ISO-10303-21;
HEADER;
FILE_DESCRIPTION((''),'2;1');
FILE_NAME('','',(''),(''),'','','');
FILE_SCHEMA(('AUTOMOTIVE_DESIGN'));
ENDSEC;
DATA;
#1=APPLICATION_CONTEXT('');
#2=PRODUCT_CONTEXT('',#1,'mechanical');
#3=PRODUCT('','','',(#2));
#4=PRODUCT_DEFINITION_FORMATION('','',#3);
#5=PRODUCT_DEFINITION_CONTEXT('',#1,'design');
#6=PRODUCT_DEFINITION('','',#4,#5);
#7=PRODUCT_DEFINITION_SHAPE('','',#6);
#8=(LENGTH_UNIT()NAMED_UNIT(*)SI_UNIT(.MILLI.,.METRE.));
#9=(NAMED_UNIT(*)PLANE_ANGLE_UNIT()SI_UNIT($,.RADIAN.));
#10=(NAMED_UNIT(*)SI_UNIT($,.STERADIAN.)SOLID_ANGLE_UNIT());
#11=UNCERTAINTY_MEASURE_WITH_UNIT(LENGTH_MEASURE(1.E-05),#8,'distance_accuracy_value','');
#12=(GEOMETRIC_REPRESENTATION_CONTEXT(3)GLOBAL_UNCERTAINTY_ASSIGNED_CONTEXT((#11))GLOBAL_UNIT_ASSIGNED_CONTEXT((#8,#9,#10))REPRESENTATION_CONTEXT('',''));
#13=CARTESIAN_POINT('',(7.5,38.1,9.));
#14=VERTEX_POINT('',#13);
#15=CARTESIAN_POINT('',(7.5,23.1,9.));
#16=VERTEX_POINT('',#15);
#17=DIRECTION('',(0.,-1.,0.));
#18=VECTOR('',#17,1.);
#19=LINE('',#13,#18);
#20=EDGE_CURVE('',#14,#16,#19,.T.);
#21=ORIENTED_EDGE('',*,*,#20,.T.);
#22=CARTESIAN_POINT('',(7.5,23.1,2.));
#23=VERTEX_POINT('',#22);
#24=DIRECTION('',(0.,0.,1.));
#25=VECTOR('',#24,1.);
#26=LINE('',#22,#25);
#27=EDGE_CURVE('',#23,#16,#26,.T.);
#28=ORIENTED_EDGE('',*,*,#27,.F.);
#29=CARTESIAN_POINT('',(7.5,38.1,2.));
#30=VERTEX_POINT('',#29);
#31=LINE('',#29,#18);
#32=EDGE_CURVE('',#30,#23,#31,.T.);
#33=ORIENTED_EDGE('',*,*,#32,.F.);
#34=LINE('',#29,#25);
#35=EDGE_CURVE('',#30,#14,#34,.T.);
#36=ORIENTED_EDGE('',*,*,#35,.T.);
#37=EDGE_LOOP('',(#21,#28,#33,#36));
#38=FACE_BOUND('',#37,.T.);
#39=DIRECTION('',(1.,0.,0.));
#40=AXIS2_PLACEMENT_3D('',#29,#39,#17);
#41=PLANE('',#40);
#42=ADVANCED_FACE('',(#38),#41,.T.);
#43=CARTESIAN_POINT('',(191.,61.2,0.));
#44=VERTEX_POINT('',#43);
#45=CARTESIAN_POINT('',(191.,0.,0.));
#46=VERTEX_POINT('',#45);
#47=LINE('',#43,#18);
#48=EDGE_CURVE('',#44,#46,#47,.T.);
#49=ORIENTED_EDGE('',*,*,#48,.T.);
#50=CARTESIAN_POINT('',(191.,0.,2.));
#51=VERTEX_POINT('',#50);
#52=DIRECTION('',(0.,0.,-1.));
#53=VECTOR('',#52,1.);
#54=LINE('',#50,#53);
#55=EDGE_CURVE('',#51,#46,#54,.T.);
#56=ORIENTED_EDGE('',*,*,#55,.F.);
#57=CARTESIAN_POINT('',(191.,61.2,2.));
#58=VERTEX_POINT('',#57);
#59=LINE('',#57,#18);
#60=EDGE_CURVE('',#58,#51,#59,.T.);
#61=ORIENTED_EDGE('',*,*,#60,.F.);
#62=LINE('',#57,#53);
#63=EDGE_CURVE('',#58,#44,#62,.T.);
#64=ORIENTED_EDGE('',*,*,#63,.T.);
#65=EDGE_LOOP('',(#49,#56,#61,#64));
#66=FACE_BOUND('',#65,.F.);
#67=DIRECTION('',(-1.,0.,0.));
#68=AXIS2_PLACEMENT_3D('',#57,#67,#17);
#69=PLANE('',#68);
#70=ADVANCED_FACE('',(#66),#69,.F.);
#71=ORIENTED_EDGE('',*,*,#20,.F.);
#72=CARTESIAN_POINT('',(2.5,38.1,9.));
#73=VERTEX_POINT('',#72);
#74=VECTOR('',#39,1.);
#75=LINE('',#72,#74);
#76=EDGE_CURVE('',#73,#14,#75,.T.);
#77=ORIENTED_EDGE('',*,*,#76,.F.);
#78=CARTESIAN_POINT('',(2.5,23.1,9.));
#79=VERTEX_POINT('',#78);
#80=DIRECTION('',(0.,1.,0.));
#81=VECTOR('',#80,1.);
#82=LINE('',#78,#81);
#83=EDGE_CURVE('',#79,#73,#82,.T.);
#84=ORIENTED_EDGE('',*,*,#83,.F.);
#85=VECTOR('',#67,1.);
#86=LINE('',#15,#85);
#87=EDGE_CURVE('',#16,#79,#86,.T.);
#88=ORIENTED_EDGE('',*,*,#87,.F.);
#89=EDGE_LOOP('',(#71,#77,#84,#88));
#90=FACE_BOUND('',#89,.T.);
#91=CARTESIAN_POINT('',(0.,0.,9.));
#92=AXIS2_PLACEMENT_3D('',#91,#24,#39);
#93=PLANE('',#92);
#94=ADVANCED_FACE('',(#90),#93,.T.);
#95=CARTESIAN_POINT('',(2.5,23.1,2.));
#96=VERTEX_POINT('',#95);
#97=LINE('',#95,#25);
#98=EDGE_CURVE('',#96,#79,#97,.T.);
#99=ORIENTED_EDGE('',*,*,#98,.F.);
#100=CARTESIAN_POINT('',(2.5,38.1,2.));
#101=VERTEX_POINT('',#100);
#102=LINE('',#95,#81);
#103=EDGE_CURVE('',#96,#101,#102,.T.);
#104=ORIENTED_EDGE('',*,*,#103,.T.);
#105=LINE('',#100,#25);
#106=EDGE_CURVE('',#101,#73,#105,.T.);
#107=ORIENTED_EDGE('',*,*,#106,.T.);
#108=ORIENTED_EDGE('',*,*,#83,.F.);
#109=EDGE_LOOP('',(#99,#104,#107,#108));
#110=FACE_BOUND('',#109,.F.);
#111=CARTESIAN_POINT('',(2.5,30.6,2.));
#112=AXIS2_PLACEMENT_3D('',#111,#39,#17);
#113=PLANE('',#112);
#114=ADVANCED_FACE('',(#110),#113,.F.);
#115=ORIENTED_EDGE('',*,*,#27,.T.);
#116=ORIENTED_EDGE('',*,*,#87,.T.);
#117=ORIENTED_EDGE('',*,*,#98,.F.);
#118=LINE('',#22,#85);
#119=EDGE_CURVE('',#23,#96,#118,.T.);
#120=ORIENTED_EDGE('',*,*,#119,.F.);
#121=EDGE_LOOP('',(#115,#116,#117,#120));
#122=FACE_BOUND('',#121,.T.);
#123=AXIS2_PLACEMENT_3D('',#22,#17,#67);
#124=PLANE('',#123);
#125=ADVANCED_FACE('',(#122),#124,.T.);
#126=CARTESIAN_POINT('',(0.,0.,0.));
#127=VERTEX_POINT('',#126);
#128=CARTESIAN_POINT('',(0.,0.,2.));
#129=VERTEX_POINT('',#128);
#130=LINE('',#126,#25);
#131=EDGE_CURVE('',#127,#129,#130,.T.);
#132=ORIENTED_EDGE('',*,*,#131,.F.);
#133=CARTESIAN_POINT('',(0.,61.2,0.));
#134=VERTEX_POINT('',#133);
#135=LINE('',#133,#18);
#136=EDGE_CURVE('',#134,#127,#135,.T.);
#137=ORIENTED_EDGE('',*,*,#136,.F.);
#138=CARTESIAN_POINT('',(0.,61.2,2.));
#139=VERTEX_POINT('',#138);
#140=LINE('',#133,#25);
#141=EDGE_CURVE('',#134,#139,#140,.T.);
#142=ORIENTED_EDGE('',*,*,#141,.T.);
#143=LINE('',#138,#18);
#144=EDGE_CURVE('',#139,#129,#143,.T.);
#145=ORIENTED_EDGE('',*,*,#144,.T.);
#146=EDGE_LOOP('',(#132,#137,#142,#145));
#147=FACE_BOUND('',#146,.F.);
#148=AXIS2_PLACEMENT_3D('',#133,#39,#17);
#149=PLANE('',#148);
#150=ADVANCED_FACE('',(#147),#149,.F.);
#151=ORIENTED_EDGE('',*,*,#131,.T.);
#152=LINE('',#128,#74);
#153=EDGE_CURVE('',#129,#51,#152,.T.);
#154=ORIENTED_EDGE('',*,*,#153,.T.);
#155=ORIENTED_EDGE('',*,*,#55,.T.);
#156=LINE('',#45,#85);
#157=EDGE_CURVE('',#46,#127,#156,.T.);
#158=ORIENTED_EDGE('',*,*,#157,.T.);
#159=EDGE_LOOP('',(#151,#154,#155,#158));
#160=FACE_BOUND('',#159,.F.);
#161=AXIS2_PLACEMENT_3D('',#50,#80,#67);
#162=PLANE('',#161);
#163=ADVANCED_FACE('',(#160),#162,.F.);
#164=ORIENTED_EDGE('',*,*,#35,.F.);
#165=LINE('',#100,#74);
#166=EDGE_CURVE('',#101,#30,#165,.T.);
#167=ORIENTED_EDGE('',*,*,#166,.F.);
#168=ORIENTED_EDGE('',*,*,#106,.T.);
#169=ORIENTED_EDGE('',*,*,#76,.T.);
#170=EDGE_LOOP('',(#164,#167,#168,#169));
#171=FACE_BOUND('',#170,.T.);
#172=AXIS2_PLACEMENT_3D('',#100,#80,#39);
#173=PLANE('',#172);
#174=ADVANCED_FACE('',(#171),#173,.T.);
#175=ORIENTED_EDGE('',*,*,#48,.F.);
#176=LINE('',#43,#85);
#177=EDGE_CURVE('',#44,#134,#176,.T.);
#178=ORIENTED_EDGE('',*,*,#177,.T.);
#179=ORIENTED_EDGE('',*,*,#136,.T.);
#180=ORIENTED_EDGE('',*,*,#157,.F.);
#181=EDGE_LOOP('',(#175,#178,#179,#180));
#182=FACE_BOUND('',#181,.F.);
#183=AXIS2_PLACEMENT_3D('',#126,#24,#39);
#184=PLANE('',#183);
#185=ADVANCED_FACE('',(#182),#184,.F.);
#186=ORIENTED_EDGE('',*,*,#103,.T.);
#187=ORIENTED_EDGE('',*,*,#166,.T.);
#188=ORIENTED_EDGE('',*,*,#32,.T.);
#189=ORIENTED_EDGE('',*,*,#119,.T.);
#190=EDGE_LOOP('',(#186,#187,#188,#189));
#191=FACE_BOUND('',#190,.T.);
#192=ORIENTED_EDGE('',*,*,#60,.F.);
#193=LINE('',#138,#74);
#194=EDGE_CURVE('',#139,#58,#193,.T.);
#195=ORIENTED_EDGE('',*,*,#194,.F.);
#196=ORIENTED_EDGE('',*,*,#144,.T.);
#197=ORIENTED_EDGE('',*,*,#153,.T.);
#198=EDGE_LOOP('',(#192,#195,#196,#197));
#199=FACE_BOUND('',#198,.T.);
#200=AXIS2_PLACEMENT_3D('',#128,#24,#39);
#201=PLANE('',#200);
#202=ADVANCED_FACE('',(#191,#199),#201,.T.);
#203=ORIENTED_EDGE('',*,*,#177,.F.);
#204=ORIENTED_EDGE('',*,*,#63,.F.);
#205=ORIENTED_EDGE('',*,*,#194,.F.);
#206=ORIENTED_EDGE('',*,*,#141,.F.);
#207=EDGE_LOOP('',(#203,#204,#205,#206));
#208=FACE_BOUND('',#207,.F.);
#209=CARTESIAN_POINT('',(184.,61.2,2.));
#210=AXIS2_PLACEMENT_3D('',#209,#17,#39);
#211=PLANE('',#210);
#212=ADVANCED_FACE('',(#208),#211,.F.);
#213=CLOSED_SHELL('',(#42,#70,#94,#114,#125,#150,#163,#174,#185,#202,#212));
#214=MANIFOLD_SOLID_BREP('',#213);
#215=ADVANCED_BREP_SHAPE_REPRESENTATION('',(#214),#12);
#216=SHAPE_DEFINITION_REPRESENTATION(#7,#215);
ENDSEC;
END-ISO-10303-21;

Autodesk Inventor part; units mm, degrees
ref_plane "YZ Plane" through (0, 0, 0) normal (1, 0, 0) x (0, 1, 0)
ref_plane "XZ Plane" through (0, 0, 0) normal (0, 1, 0) x (-1, 0, 0)
ref_plane "XY Plane" through (0, 0, 0) normal (0, 0, 1) x (1, 0, 0)
sketch "Sketch1" plane through (0, 0, 0) normal (0, 1, 0) x (-1, 0, 0)
  point P0 (0, 0)
sketch "Sketch6" plane through (0, 0, 0) normal (0, 0, 1) x (1, 0, 0)
  line L0 (0, 0) -> (184, 0)
  line L1 (184, 0) -> (184, 61.2)
  line L2 (184, 61.2) -> (0, 61.2)
  line L3 (0, 61.2) -> (0, 0)
  line L4 (0, 0) -> (184, 0)
  line L5 (184, 0) -> (184, 61.2)
  dimension "d18" = 184
  dimension "d19" = 61.2
extrude "Extrusion5" add sketch "Sketch6" along normal blind 2
sketch "Sketch7" plane through (0, 0, 2) normal (0, 0, 1) x (1, 0, 0)
  line L0 (184, 61.2) -> (0, 61.2) projected
  line L1 (0, 61.2) -> (0, 30.6)
  line L2 (0, 30.6) -> (2.5, 30.6)
  line L3 (2.5, 30.6) -> (2.5, 38.1)
  line L4 (2.5, 30.6) -> (2.5, 23.1)
  line L5 (2.5, 38.1) -> (7.5, 38.1)
  line L6 (7.5, 38.1) -> (7.5, 23.1)
  line L7 (7.5, 23.1) -> (2.5, 23.1)
  point P0 (0, 0)
  dimension "d22" = 30.6
  dimension "d23" = 2.5
  dimension "d24" = 7.5
  dimension "d25" = 7.5
  dimension "d26" = 5
extrude "Extrusion6" add sketch "Sketch7" along normal blind 7
sketch "Sketch8" plane through (0, 0, 2) normal (0, 0, 1) x (1, 0, 0)
  line L0 (184, 61.2) -> (0, 61.2) projected
  line L1 (184, 61.2) -> (191, 61.2)
  line L2 (191, 61.2) -> (191, 0)
  line L3 (191, 0) -> (184, 0)
  line L4 (184, 0) -> (184, 61.2)
  point P0 (0, 0)
  dimension "d29" = 7
extrude "Extrusion7" add sketch "Sketch8" against normal blind 2
sketch "Sketch2" plane through (0, 0, 0) normal (0, 1, 0) x (-1, 0, 0)
  line L0 (0, 0) -> (92.58, 0)
  line L1 (92.58, 0) -> (92.58, -29.35)
  line L2 (92.58, -29.35) -> (0, -29.35)
  line L3 (0, -29.35) -> (0, 29.35)
  line L4 (0, 29.35) -> (92.58, 29.35)
  line L5 (92.58, 29.35) -> (92.58, -29.35)
  dimension "d0" = 92.58
  dimension "d1" = 29.35
  dimension "d2" = 92.58
  dimension "d3" = 58.7
sketch "Sketch3" plane through (0, 3, 0) normal (0, 1, 0) x (1, 0, 0)
  line L0 (0, 0) -> (-10, 0)
  line L1 (-10, 0) -> (-10, 7.5)
  line L2 (-10, 7.5) -> (-15, 7.5)
  line L3 (-15, 7.5) -> (-15, -7.5)
  line L4 (-15, -7.5) -> (-10, -7.5)
  line L5 (-10, -7.5) -> (-10, 7.5)
  dimension "d6" = 10
  dimension "d7" = 7.5
  dimension "d8" = 5
  dimension "d9" = 15
sketch "Sketch4" plane through (0, 3, 0) normal (0, 1, 0) x (1, 0, 0)
  line L0 (0, -29.35) -> (0, 29.35) projected
  line L1 (0, -29.35) -> (0, -34.35)
  line L2 (0, -34.35) -> (-5, -34.35)
  line L3 (-5, -34.35) -> (-5, -29.35)
  line L4 (-92.58, -29.35) -> (0, -29.35) projected
  line L5 (-5, -29.35) -> (0, -29.35)
  point P0 (0, 0)
  dimension "d12" = 5
  dimension "d13" = 5
sketch "Sketch5" plane through (0, 8, 0) normal (0, 1, 0) x (1, 0, 0)
  line L0 (-15, 7.5) -> (-15, -7.5) projected
  line L1 (-10, -7.5) -> (-10, 7.5) projected
  line L2 (-15, 7.5) -> (-10, 7.5)
  line L3 (-10, 7.5) -> (-10, -7.5)
  line L4 (-10, -7.5) -> (-15, -7.5)
  line L5 (-15, -7.5) -> (-15, 7.5)
  point P0 (0, 0)
equation "\"d2\" = d0"
equation "\"d3\" = 2 * d1"
equation "\"d9\" = 2 * d7"
properties part number "Door"
